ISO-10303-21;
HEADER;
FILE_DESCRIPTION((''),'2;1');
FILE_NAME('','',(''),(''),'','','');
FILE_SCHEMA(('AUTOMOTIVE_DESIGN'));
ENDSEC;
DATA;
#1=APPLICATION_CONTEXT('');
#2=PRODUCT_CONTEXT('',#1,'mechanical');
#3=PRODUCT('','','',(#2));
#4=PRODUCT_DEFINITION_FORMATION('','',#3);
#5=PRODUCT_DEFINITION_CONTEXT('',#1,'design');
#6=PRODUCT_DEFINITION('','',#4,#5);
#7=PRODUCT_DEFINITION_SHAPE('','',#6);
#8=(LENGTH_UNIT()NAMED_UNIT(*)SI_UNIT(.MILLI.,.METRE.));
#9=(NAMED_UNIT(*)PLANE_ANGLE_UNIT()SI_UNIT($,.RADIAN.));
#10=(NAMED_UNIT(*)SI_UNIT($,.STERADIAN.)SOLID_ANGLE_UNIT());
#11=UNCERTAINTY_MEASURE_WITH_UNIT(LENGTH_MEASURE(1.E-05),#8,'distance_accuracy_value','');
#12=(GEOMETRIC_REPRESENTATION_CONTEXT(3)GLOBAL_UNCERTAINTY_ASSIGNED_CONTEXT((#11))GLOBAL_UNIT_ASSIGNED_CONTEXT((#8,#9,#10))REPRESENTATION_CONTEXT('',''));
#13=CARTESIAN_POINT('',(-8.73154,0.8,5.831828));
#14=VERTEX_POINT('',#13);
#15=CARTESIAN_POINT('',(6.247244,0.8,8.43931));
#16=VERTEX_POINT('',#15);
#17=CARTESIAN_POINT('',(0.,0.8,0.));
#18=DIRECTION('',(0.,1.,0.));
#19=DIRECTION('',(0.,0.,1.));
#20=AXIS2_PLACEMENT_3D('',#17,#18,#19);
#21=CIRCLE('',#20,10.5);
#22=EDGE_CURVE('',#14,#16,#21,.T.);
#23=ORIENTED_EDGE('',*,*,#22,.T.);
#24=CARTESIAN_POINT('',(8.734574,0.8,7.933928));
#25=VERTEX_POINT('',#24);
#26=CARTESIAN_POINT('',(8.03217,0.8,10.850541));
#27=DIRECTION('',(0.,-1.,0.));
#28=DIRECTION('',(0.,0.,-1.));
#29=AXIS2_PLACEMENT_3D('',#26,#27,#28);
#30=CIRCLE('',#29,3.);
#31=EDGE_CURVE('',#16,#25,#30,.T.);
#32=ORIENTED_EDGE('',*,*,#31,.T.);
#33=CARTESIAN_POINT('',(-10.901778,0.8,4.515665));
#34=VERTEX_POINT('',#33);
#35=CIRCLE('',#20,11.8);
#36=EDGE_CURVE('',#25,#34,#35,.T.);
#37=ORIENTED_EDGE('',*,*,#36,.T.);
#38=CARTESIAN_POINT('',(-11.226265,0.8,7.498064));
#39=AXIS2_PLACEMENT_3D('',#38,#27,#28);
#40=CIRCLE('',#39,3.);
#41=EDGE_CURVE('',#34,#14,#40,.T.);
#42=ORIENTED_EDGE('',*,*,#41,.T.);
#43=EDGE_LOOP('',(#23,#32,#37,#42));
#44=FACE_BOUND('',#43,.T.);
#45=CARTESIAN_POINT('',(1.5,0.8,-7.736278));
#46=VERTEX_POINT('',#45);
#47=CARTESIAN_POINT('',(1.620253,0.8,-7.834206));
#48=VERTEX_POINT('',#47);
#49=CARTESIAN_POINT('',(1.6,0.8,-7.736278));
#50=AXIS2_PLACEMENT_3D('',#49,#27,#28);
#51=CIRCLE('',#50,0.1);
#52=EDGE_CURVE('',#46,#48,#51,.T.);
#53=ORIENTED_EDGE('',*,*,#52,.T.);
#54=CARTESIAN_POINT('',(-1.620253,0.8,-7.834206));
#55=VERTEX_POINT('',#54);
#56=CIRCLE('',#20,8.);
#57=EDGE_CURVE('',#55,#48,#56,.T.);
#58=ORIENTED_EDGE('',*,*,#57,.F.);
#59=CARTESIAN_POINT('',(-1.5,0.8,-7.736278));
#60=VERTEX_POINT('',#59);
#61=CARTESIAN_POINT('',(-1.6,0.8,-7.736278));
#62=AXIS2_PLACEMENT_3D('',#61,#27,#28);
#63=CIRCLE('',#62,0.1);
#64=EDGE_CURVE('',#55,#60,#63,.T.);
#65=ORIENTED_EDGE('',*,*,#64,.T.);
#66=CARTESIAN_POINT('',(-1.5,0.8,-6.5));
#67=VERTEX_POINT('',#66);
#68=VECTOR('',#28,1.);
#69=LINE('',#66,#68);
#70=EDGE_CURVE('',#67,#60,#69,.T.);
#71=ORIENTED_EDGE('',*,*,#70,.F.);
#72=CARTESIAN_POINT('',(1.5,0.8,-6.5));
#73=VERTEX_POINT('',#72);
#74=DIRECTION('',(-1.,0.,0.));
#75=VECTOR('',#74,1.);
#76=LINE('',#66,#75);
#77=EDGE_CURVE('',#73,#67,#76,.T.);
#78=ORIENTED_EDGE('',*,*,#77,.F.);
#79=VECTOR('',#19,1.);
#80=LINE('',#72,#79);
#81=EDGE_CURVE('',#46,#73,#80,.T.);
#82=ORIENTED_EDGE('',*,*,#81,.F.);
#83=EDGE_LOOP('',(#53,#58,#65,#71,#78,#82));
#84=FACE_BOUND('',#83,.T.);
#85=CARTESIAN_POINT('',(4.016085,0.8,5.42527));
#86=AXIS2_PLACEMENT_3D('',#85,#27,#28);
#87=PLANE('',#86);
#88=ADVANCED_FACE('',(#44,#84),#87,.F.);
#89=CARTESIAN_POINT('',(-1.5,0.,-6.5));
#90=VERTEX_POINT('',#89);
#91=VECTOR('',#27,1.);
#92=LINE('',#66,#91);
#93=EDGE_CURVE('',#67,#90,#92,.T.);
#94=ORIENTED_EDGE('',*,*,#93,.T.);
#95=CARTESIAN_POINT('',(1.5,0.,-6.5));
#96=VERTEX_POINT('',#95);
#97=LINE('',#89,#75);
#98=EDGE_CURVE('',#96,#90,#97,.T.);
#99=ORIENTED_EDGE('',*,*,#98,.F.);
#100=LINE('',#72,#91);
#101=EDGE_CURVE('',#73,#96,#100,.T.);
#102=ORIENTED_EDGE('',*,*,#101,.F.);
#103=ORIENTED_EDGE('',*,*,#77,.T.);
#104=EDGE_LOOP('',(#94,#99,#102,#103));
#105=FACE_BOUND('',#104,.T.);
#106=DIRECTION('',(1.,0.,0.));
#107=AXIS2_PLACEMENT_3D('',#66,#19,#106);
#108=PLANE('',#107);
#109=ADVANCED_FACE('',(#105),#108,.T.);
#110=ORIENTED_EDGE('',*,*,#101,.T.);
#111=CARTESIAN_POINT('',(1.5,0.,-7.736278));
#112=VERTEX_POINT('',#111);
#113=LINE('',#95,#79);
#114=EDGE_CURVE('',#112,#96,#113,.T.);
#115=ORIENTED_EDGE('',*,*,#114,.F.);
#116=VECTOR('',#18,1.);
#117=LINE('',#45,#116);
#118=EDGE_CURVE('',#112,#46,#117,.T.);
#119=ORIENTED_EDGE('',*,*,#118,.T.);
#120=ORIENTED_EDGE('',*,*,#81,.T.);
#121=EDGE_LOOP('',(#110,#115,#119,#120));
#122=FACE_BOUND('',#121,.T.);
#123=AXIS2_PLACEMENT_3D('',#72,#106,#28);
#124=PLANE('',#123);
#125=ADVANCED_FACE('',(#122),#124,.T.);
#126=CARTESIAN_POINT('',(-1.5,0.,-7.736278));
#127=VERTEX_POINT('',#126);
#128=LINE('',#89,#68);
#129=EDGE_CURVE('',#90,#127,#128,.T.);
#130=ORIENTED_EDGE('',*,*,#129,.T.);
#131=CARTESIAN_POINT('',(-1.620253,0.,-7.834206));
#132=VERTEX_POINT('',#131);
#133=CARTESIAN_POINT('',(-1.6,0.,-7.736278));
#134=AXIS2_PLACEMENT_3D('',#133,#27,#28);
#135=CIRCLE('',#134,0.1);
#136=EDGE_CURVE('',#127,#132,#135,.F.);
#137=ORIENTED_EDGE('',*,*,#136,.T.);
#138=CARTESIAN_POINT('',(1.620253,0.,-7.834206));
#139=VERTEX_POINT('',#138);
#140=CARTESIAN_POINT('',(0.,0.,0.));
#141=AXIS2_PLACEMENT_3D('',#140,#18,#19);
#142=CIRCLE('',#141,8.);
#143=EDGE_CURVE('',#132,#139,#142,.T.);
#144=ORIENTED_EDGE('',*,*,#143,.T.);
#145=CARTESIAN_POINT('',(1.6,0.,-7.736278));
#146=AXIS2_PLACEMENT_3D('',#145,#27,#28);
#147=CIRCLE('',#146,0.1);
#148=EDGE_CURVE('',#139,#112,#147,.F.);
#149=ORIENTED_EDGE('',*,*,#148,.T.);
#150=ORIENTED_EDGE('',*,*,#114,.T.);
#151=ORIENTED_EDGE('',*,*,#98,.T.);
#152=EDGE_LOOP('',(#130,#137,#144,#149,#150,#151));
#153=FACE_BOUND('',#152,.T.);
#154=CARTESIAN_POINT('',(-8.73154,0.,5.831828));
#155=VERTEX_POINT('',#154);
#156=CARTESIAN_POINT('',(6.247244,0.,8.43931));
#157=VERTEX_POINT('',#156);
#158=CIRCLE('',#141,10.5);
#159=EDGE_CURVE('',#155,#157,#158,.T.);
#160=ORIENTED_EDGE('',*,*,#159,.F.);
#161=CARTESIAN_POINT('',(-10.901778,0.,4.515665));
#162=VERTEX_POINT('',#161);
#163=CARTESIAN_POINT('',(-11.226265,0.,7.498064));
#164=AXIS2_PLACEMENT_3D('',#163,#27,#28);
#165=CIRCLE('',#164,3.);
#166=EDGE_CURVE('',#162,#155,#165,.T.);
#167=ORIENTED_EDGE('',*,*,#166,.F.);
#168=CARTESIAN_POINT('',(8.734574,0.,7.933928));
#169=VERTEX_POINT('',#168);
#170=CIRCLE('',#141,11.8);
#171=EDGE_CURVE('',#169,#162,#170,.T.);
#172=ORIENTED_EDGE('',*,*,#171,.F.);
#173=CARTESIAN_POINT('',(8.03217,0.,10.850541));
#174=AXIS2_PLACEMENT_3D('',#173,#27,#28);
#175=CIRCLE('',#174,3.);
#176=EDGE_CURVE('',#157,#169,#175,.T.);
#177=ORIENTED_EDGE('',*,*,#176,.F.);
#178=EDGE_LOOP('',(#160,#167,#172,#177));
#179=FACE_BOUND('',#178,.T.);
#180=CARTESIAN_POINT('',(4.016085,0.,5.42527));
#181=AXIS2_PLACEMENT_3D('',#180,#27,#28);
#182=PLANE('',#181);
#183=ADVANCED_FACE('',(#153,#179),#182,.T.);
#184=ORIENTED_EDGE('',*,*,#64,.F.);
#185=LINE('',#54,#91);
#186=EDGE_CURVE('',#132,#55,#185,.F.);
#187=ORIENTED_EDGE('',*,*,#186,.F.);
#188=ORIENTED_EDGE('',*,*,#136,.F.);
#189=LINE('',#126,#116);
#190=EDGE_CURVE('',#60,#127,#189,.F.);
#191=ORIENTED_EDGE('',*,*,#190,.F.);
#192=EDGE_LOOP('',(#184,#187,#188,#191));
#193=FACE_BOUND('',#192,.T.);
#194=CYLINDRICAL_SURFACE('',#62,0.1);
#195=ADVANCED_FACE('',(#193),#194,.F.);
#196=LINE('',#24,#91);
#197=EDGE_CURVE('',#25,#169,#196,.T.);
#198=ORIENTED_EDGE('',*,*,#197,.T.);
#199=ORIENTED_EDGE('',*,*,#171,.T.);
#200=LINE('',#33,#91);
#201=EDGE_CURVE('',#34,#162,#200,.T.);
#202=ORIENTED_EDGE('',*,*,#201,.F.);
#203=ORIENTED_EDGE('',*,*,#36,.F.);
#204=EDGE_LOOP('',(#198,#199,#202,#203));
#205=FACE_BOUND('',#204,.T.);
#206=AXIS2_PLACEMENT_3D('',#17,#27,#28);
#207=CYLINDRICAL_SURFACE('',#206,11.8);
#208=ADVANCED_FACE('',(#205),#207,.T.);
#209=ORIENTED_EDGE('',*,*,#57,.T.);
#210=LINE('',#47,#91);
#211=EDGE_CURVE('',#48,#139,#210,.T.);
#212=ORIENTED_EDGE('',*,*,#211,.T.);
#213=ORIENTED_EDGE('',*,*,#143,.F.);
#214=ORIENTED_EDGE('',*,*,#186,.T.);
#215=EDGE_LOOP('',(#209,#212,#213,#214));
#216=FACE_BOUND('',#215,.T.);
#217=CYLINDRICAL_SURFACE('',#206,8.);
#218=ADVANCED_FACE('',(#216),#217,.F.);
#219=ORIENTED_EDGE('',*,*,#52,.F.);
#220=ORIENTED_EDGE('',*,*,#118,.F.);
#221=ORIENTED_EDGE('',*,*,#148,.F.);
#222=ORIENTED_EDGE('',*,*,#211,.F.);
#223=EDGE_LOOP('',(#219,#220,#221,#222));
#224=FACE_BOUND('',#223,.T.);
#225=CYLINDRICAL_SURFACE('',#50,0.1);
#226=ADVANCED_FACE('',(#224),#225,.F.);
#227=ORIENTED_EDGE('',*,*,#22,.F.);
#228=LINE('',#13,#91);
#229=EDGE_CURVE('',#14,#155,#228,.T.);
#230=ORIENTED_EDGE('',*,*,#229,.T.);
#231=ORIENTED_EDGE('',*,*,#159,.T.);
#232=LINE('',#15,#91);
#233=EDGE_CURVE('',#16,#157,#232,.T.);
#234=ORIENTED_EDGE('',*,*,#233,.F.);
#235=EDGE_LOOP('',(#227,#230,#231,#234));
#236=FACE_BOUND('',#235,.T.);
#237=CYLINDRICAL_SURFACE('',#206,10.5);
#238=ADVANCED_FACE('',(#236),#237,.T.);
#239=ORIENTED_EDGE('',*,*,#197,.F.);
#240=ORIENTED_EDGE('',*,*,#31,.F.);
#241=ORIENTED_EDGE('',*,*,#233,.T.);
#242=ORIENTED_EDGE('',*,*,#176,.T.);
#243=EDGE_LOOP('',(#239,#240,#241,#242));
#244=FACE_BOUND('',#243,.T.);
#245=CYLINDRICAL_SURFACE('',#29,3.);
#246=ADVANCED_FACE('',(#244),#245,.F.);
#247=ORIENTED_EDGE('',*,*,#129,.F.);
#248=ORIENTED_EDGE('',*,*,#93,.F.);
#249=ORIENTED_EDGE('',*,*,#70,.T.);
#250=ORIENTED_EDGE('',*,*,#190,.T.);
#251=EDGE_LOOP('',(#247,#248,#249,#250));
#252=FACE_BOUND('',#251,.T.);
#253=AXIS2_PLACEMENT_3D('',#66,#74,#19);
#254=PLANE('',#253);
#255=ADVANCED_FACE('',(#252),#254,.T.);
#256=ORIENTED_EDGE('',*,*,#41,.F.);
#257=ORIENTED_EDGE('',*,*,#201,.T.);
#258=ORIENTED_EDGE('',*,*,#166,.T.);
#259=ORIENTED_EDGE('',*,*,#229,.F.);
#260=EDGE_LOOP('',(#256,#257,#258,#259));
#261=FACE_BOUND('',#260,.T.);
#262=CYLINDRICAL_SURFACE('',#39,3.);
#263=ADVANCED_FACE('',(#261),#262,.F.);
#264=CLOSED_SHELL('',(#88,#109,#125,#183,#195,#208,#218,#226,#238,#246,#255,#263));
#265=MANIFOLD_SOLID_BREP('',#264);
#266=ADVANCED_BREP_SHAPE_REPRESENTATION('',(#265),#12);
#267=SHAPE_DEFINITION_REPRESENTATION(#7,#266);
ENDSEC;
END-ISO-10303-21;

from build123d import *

# Parameters (mm, degrees)
BOSS_EXTRUDE1_DEPTH = 0.8
FILLET1_R           = 0.1


with BuildPart() as part:
    # Sketch1 → Boss-Extrude1 (new body)
    with BuildSketch(Plane(origin=(0, 0, 0), x_dir=(1, 0, 0), z_dir=(0, 1, 0))):
        with BuildLine():
            ThreePointArc((8.734573904, -7.933928328), (2.023691137, 11.625174157), (-10.901778484, -4.515664502))
            ThreePointArc((-10.901778484, -4.515664502), (-9.670610732, -4.932925102), (-8.73153967, -5.831827757))
            ThreePointArc((-8.73153967, -5.831827757), (-1.800742113, -10.344434631), (6.247243618, -8.439309639))
            ThreePointArc((6.247243618, -8.439309639), (7.434829013, -7.910611831), (8.734573904, -7.933928328))
        make_face()
        with BuildLine():
            Line((-1.5, 6.5), (1.5, 6.5))
            Line((1.5, 6.5), (1.5, 7.858116823))
            ThreePointArc((1.5, 7.858116823), (0, -8), (-1.5, 7.858116823))
            Line((-1.5, 7.858116823), (-1.5, 6.5))
        make_face(mode=Mode.SUBTRACT)
    extrude(amount=BOSS_EXTRUDE1_DEPTH)

    # Fillet1
    fillet1_edges = [part.edges().sort_by_distance(p)[0] for p in [
        (-1.5, 0.4, -7.858116823),
        (1.5, 0.4, -7.858116823),
    ]]
    fillet(fillet1_edges, radius=FILLET1_R)


solid = part.part
